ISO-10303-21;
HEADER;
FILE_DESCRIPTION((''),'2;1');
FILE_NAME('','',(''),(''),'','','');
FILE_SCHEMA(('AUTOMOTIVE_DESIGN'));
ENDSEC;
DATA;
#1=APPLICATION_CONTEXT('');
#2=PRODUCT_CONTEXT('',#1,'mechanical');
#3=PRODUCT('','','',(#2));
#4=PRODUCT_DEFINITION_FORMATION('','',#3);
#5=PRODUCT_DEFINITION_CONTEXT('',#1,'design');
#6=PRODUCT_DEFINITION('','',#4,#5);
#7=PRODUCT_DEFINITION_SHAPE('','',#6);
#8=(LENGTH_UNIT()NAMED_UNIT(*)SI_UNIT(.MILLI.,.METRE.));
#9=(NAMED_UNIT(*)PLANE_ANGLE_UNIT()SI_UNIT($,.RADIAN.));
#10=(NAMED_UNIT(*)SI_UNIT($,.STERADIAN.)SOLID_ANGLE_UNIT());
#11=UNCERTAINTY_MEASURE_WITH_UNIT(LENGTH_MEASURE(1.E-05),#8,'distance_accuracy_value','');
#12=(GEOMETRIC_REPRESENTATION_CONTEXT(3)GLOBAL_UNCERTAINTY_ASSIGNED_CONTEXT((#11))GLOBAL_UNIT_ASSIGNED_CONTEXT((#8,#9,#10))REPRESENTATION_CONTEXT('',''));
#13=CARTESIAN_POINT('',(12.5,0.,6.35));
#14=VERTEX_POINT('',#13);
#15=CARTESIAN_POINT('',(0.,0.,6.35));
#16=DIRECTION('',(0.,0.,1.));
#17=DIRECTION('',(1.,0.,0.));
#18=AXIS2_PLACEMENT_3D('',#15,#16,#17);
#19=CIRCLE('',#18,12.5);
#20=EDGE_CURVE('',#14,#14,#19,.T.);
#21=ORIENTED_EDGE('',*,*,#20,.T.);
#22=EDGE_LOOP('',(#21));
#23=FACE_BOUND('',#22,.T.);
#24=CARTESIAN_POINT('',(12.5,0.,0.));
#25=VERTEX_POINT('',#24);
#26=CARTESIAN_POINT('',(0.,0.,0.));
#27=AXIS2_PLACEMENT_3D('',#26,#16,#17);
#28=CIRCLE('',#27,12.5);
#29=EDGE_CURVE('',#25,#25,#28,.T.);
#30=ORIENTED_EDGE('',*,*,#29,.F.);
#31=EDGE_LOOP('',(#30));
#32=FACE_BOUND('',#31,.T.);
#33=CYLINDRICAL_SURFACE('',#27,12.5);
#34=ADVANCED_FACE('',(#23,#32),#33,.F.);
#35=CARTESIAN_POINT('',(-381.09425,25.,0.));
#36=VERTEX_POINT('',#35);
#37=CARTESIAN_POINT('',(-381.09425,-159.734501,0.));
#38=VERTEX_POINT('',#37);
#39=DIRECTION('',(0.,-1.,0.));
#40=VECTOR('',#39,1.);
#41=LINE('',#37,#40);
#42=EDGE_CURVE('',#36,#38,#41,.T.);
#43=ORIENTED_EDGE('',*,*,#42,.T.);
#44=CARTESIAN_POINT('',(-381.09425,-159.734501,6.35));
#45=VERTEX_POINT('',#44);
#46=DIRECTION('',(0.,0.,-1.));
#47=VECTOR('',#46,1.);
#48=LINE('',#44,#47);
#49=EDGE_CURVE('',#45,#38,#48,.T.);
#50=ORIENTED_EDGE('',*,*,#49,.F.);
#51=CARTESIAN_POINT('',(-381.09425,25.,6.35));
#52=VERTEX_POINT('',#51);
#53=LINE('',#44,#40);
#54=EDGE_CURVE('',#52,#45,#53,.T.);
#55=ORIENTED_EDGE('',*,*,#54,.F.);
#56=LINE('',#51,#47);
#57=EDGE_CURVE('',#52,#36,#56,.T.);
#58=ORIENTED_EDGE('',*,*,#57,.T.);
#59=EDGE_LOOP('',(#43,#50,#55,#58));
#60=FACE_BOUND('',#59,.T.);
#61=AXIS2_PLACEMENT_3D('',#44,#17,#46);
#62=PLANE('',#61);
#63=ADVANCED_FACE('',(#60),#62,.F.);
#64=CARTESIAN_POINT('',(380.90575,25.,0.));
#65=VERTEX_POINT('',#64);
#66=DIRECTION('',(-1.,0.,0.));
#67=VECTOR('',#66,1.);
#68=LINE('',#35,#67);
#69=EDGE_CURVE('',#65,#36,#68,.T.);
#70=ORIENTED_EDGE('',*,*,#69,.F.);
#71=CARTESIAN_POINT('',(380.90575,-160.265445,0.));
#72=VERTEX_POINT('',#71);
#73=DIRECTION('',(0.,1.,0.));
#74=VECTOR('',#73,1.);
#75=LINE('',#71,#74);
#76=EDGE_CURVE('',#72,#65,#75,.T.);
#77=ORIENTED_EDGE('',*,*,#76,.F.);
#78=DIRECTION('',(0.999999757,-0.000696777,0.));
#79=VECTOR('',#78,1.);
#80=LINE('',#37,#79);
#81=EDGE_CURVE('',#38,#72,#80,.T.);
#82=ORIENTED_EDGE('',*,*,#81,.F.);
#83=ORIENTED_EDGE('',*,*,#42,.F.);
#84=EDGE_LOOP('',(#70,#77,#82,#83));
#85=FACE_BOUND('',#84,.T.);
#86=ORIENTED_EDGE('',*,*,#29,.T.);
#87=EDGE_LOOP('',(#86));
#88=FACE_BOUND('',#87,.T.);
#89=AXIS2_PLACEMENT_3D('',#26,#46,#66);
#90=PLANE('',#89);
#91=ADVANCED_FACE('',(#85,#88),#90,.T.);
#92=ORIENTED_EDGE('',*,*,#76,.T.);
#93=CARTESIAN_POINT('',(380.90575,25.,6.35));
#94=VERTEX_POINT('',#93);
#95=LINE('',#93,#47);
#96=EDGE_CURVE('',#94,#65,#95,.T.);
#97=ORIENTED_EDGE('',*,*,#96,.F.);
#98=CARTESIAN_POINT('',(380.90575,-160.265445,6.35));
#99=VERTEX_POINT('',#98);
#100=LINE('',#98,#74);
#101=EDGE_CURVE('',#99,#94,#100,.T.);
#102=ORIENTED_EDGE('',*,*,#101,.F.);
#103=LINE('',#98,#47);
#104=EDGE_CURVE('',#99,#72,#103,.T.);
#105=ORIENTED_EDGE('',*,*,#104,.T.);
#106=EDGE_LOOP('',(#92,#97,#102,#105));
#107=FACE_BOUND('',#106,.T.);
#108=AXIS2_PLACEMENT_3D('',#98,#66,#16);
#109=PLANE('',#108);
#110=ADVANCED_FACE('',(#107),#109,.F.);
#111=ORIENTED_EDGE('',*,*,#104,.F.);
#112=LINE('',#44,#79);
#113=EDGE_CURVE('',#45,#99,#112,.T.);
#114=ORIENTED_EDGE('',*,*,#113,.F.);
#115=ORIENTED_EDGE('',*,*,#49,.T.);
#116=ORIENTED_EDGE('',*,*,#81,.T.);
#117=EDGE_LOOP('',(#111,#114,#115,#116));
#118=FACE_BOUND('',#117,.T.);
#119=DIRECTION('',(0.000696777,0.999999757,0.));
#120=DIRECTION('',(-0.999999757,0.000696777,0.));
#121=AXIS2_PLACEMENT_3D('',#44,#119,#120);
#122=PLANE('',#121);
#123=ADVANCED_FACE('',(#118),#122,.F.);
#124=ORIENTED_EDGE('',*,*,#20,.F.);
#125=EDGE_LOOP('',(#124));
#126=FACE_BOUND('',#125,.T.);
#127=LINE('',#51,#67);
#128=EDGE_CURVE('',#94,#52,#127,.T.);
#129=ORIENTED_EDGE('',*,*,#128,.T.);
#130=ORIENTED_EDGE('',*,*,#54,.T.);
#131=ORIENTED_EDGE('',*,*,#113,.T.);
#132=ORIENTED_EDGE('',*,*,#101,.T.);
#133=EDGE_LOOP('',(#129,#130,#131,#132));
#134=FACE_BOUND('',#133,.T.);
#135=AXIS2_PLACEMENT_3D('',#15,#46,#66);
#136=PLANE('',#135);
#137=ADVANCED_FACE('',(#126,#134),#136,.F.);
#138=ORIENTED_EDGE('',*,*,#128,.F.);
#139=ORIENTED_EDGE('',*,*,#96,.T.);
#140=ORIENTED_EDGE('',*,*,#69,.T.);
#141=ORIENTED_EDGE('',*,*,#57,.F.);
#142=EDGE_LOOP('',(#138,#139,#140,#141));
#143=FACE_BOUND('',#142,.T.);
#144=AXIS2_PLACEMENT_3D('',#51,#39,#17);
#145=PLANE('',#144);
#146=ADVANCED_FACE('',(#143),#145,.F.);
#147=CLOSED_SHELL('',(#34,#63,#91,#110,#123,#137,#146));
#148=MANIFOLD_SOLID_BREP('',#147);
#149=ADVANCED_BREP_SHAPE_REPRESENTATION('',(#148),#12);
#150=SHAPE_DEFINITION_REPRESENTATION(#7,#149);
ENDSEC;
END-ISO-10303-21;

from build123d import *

# Parameters (mm, degrees)
BOSS_EXTRUDE1_DEPTH = 6.35
SKETCH2_R           = 12.5
CUT_EXTRUDE1_DEPTH  = 414.4708728


with BuildPart() as part:
    # Sketch1 → Boss-Extrude1 (new body)
    with BuildSketch(Plane.XY):
        Polygon((-381.094249826, -159.734501203), (-381.094249826, 25), (380.905750174, 25), (380.905750174, -160.265445134), align=None)
    extrude(amount=BOSS_EXTRUDE1_DEPTH)

    # Sketch2 → Cut-Extrude1 (cut, through all)
    with BuildSketch(Plane.XY.offset(6.35)):
        Circle(SKETCH2_R)
    extrude(amount=-CUT_EXTRUDE1_DEPTH, mode=Mode.SUBTRACT)


solid = part.part
